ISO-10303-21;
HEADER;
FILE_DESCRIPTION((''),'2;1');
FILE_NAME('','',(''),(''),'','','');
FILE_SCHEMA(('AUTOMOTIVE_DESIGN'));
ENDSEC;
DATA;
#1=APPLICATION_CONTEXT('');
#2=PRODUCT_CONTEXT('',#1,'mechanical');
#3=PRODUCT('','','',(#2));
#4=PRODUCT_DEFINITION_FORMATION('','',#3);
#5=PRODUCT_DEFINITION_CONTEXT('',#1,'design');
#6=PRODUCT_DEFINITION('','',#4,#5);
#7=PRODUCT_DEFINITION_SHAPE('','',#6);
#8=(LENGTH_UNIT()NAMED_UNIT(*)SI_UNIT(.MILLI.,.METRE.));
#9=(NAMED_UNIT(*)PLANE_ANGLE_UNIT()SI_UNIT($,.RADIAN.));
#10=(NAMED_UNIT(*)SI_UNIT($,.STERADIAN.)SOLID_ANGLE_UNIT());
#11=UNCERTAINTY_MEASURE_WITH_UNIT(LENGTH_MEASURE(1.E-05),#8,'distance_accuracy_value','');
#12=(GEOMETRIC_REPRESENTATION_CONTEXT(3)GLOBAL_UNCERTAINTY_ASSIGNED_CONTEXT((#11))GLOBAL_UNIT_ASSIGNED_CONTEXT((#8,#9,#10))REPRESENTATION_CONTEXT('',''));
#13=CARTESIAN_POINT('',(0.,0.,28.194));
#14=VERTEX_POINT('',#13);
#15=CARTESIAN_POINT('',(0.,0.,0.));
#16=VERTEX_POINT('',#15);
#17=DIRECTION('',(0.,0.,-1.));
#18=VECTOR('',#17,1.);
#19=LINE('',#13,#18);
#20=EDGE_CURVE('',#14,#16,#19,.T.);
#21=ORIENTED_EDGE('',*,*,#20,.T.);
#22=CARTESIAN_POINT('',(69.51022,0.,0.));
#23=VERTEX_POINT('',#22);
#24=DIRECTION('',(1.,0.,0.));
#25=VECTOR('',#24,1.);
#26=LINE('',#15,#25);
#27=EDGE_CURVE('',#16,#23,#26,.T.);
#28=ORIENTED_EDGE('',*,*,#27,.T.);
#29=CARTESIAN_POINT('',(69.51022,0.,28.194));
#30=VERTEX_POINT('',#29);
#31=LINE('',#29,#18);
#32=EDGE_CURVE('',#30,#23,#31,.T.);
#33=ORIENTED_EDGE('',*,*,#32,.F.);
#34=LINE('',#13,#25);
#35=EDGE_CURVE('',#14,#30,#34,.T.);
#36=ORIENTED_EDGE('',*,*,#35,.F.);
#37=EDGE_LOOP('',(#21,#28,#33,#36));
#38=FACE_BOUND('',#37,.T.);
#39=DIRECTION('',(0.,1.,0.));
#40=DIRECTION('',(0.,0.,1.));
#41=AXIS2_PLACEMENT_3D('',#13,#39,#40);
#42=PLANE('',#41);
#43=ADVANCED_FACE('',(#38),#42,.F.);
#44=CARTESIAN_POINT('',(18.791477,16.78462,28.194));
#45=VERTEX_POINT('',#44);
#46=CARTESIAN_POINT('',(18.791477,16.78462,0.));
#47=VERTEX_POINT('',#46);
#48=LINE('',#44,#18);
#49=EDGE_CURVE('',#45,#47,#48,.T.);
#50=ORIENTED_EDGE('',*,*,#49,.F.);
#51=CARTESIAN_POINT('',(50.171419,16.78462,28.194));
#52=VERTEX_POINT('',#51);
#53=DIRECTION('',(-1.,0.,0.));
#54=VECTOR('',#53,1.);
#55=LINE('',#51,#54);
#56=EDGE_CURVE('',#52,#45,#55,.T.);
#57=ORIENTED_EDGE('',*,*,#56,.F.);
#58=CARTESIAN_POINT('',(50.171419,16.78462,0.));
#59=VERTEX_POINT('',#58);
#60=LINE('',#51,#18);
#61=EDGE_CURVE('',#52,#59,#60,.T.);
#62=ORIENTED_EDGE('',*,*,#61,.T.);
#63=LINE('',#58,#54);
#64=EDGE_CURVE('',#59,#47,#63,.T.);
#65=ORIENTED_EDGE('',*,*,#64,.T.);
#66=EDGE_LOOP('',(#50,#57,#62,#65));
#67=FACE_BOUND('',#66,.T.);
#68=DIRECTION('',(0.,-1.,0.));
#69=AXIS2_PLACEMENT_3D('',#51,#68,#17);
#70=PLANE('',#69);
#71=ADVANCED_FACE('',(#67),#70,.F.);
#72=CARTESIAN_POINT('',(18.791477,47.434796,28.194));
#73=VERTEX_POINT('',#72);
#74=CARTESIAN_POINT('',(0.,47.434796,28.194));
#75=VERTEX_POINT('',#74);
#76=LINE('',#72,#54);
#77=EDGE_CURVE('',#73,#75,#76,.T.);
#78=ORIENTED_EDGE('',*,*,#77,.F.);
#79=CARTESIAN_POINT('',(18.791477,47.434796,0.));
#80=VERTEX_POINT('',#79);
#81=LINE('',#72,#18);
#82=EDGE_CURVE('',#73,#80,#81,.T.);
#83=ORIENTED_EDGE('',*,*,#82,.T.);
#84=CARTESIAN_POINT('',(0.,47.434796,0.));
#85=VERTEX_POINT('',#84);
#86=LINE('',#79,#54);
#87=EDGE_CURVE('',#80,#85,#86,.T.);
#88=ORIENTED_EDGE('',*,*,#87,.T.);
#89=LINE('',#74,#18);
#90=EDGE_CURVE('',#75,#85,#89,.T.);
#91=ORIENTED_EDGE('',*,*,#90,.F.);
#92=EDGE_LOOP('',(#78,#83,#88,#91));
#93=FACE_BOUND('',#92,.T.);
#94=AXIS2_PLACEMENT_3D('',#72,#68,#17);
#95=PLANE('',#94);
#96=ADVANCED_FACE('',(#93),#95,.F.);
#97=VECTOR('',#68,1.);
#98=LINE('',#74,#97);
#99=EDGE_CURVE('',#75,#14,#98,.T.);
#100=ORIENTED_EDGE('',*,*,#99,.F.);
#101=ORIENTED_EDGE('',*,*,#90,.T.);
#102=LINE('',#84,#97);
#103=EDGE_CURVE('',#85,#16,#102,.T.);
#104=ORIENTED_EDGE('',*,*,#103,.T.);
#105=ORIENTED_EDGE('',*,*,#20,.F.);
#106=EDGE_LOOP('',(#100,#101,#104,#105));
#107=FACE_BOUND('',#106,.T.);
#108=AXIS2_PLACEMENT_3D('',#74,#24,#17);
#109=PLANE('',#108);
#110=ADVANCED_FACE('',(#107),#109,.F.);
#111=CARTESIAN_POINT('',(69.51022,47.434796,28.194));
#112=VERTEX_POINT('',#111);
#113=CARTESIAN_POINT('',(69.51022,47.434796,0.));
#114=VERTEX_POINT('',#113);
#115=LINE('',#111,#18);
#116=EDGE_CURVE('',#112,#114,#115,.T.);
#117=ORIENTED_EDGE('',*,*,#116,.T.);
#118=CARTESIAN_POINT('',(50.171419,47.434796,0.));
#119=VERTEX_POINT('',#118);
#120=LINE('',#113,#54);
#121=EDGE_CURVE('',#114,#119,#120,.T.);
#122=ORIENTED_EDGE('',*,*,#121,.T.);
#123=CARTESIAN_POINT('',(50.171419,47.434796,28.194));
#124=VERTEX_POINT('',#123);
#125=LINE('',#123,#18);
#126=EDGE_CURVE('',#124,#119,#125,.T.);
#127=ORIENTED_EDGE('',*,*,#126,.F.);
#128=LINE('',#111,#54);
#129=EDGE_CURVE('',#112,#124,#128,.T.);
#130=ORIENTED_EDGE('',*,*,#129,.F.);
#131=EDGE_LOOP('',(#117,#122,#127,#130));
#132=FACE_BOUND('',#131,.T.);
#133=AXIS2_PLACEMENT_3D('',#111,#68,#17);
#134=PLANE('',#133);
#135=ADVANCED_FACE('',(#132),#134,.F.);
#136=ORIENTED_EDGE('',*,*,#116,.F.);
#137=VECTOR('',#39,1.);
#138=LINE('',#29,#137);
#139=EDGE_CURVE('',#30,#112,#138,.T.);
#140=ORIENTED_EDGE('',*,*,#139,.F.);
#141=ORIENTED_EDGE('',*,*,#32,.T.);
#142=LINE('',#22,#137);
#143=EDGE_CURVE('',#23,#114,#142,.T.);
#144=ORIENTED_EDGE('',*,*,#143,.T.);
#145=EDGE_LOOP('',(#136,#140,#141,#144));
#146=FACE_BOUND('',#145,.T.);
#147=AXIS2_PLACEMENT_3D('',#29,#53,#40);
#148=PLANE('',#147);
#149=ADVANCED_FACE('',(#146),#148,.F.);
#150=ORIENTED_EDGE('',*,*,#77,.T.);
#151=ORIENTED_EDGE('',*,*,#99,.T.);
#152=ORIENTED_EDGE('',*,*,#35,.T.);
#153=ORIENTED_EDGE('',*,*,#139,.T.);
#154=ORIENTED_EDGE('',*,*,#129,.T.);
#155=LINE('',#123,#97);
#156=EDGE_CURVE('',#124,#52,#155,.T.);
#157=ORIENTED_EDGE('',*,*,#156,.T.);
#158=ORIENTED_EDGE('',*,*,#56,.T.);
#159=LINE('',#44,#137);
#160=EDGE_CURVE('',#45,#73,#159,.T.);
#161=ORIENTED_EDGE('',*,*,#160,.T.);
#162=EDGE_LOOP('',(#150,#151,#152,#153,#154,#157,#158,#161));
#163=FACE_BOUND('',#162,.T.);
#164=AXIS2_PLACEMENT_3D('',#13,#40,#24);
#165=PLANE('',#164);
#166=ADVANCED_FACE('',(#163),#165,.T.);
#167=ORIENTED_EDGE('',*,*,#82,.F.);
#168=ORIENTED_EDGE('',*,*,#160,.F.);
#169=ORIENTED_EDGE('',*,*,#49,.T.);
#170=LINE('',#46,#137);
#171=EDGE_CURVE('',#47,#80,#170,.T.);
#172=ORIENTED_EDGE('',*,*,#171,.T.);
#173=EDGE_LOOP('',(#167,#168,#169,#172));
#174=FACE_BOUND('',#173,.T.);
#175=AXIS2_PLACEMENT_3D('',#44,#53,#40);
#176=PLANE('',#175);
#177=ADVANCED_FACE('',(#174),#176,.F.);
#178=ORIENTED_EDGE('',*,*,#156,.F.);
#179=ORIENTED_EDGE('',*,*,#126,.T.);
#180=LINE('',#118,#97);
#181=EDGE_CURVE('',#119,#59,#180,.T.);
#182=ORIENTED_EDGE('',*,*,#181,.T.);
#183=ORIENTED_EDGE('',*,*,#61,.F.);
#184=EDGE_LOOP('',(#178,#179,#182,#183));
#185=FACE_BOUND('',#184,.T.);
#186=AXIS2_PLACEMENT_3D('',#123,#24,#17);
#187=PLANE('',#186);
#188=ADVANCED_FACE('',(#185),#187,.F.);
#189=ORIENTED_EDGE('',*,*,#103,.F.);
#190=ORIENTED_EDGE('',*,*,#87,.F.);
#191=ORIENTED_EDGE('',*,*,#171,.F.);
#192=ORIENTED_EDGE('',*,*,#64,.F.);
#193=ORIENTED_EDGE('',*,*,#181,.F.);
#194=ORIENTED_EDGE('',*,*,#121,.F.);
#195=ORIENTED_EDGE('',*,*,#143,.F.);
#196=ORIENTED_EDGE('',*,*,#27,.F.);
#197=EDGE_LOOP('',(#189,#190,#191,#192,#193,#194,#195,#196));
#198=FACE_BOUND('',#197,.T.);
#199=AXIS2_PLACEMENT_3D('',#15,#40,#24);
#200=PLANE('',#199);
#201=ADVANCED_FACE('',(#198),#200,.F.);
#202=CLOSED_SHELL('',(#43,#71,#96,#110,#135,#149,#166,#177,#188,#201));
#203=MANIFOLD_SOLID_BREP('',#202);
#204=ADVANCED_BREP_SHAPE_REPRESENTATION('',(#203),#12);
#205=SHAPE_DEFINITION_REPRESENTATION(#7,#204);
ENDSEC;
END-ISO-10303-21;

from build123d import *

# Parameters (mm, degrees)
BOSS_EXTRUDE1_DEPTH = 28.194


with BuildPart() as part:
    # Sketch1 → Boss-Extrude1 (new body)
    with BuildSketch(Plane.XY):
        Polygon((0, 0), (69.510220161, 0), (69.510220161, 47.434795911), (50.171418752, 47.434795911), (50.171418752, 16.784620091), (18.791476842, 16.784620091), (18.791476842, 47.434795911), (0, 47.434795911), align=None)
    extrude(amount=BOSS_EXTRUDE1_DEPTH)


solid = part.part
